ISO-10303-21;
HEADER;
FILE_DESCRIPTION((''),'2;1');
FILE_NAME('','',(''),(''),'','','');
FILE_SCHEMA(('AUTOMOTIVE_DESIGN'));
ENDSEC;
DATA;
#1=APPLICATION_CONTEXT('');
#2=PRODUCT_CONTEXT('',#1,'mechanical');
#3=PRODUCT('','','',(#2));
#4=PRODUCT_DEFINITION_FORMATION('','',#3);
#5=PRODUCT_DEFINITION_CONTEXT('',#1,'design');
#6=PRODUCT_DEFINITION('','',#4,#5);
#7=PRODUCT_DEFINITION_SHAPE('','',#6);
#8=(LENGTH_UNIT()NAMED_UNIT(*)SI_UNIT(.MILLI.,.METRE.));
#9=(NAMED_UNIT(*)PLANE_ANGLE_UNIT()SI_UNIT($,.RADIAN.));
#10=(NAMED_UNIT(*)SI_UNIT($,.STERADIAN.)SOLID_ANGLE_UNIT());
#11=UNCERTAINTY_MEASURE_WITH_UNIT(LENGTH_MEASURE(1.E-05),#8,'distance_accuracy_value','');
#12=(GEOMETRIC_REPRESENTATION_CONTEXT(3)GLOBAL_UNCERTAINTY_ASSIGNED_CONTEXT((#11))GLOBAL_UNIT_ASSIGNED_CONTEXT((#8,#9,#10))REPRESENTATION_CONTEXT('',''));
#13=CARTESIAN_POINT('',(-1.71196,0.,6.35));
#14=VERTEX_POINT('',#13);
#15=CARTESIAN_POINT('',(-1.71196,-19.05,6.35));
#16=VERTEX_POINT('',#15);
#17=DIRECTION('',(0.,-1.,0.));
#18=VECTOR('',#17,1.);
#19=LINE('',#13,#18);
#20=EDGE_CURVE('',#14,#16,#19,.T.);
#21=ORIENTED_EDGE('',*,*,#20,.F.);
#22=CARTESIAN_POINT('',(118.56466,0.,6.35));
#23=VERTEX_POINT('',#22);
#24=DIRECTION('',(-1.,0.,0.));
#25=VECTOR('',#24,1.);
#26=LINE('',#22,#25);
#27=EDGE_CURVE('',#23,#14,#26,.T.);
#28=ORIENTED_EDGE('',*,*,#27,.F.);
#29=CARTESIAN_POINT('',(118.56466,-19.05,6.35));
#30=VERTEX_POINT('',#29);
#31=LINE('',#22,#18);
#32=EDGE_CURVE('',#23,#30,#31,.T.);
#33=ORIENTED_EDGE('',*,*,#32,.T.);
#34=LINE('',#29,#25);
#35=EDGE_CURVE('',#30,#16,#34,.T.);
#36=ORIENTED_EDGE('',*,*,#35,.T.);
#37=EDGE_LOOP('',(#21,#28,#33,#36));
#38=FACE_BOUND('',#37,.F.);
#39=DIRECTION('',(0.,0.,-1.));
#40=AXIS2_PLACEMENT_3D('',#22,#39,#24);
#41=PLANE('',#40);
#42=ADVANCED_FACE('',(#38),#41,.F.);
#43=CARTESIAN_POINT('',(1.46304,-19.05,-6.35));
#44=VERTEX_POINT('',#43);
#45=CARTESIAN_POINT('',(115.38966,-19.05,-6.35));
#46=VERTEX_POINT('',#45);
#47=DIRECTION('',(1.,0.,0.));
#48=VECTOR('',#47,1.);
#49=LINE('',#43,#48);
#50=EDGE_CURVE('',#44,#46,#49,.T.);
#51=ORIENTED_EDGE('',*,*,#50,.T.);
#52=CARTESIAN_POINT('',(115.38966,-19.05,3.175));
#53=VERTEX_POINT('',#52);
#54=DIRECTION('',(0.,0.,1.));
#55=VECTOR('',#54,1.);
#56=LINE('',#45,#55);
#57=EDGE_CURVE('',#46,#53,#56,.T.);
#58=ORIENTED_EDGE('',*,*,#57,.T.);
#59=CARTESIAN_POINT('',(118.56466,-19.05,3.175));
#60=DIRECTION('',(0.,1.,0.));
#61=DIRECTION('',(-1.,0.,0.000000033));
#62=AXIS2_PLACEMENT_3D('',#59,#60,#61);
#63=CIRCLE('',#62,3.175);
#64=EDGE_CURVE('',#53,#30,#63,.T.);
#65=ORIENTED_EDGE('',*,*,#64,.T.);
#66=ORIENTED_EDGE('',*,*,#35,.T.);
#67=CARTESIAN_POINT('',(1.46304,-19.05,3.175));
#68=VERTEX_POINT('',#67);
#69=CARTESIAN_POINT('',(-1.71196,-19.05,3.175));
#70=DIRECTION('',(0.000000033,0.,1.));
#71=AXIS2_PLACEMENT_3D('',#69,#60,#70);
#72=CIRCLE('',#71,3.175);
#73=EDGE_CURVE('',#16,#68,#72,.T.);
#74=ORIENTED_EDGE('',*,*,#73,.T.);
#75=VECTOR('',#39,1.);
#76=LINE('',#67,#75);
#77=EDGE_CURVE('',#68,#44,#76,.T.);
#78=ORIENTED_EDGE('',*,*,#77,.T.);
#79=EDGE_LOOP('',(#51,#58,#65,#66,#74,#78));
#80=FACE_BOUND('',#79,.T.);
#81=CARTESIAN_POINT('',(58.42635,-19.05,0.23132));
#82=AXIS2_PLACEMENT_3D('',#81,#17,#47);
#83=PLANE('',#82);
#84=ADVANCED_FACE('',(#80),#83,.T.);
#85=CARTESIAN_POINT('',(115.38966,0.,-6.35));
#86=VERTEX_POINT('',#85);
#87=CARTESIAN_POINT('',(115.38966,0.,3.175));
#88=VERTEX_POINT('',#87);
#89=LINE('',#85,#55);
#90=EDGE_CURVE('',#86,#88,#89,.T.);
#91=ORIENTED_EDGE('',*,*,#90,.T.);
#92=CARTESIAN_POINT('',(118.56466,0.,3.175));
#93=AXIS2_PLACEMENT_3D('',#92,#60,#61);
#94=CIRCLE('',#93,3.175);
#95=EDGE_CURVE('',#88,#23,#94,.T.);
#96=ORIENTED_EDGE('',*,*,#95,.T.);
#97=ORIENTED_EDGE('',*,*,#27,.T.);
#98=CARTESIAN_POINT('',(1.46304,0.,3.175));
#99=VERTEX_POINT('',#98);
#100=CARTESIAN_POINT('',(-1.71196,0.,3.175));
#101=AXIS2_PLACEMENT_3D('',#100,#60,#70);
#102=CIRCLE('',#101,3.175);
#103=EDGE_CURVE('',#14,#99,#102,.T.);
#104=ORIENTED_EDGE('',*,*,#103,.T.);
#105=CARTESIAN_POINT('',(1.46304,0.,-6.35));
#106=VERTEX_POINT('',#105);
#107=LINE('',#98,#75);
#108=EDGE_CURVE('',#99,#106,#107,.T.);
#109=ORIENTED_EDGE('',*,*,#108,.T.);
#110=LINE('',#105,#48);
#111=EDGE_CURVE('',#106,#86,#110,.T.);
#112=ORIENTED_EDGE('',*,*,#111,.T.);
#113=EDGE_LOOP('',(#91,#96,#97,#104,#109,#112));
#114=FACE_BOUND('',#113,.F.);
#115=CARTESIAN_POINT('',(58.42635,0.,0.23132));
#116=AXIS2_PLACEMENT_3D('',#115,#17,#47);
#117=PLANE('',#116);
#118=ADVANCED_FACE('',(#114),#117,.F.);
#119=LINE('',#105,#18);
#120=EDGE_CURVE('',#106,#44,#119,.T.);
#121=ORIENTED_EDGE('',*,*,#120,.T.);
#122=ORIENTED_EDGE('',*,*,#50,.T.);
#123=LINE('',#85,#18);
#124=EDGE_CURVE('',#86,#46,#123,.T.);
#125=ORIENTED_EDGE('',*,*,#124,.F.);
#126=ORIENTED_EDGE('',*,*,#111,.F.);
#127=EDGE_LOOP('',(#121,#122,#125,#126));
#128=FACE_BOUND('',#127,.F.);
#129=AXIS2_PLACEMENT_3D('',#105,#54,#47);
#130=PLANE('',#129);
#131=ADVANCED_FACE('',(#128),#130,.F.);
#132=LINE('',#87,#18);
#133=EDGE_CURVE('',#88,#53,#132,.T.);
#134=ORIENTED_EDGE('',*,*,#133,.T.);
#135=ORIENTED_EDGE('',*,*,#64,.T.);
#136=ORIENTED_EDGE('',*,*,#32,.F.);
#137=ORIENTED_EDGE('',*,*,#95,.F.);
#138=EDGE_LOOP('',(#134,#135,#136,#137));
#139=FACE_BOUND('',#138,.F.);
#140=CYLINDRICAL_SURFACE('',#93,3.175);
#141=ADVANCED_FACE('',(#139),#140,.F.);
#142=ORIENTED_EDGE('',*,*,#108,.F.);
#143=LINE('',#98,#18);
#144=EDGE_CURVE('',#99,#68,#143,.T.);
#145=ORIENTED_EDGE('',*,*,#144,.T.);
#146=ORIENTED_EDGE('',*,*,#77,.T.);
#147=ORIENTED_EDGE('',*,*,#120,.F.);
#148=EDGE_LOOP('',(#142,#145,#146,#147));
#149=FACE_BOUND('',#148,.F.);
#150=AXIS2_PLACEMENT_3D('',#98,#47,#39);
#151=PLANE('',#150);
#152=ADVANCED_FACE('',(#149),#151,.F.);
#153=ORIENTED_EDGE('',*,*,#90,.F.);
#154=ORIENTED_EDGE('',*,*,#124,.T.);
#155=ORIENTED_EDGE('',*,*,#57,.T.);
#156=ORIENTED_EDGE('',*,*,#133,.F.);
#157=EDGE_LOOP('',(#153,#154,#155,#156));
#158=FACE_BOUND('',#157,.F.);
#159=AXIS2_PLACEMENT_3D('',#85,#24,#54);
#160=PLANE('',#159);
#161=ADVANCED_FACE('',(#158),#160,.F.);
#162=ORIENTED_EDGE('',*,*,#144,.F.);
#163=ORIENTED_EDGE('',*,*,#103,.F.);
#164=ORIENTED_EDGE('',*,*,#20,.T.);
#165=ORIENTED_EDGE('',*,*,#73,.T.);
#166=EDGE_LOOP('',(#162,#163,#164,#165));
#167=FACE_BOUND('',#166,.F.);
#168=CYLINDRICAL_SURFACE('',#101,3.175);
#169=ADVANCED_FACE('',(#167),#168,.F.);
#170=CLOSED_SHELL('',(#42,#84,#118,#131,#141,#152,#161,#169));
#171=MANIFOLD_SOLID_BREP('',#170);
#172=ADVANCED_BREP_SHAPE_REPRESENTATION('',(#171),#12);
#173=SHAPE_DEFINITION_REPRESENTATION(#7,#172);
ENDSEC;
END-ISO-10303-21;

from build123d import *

# Parameters (mm, degrees)
F1_DEPTH = 19.05


with BuildPart() as f1:
    # F0 (on Front) → F1 (new body)
    with BuildSketch(Plane.XZ):
        with BuildLine():
            ThreePointArc((115.38966, 3.175), (116.319596, 5.420064), (118.56466, 6.35))
            Line((118.56466, 6.35), (-1.71196, 6.35))
            ThreePointArc((-1.71196, 6.35), (0.533104, 5.420064), (1.46304, 3.175))
            Line((1.46304, 3.175), (1.46304, -6.35))
            Line((1.46304, -6.35), (115.38966, -6.35))
            Line((115.38966, -6.35), (115.38966, 3.175))
        make_face()
    extrude(amount=F1_DEPTH)


solid = f1.part
